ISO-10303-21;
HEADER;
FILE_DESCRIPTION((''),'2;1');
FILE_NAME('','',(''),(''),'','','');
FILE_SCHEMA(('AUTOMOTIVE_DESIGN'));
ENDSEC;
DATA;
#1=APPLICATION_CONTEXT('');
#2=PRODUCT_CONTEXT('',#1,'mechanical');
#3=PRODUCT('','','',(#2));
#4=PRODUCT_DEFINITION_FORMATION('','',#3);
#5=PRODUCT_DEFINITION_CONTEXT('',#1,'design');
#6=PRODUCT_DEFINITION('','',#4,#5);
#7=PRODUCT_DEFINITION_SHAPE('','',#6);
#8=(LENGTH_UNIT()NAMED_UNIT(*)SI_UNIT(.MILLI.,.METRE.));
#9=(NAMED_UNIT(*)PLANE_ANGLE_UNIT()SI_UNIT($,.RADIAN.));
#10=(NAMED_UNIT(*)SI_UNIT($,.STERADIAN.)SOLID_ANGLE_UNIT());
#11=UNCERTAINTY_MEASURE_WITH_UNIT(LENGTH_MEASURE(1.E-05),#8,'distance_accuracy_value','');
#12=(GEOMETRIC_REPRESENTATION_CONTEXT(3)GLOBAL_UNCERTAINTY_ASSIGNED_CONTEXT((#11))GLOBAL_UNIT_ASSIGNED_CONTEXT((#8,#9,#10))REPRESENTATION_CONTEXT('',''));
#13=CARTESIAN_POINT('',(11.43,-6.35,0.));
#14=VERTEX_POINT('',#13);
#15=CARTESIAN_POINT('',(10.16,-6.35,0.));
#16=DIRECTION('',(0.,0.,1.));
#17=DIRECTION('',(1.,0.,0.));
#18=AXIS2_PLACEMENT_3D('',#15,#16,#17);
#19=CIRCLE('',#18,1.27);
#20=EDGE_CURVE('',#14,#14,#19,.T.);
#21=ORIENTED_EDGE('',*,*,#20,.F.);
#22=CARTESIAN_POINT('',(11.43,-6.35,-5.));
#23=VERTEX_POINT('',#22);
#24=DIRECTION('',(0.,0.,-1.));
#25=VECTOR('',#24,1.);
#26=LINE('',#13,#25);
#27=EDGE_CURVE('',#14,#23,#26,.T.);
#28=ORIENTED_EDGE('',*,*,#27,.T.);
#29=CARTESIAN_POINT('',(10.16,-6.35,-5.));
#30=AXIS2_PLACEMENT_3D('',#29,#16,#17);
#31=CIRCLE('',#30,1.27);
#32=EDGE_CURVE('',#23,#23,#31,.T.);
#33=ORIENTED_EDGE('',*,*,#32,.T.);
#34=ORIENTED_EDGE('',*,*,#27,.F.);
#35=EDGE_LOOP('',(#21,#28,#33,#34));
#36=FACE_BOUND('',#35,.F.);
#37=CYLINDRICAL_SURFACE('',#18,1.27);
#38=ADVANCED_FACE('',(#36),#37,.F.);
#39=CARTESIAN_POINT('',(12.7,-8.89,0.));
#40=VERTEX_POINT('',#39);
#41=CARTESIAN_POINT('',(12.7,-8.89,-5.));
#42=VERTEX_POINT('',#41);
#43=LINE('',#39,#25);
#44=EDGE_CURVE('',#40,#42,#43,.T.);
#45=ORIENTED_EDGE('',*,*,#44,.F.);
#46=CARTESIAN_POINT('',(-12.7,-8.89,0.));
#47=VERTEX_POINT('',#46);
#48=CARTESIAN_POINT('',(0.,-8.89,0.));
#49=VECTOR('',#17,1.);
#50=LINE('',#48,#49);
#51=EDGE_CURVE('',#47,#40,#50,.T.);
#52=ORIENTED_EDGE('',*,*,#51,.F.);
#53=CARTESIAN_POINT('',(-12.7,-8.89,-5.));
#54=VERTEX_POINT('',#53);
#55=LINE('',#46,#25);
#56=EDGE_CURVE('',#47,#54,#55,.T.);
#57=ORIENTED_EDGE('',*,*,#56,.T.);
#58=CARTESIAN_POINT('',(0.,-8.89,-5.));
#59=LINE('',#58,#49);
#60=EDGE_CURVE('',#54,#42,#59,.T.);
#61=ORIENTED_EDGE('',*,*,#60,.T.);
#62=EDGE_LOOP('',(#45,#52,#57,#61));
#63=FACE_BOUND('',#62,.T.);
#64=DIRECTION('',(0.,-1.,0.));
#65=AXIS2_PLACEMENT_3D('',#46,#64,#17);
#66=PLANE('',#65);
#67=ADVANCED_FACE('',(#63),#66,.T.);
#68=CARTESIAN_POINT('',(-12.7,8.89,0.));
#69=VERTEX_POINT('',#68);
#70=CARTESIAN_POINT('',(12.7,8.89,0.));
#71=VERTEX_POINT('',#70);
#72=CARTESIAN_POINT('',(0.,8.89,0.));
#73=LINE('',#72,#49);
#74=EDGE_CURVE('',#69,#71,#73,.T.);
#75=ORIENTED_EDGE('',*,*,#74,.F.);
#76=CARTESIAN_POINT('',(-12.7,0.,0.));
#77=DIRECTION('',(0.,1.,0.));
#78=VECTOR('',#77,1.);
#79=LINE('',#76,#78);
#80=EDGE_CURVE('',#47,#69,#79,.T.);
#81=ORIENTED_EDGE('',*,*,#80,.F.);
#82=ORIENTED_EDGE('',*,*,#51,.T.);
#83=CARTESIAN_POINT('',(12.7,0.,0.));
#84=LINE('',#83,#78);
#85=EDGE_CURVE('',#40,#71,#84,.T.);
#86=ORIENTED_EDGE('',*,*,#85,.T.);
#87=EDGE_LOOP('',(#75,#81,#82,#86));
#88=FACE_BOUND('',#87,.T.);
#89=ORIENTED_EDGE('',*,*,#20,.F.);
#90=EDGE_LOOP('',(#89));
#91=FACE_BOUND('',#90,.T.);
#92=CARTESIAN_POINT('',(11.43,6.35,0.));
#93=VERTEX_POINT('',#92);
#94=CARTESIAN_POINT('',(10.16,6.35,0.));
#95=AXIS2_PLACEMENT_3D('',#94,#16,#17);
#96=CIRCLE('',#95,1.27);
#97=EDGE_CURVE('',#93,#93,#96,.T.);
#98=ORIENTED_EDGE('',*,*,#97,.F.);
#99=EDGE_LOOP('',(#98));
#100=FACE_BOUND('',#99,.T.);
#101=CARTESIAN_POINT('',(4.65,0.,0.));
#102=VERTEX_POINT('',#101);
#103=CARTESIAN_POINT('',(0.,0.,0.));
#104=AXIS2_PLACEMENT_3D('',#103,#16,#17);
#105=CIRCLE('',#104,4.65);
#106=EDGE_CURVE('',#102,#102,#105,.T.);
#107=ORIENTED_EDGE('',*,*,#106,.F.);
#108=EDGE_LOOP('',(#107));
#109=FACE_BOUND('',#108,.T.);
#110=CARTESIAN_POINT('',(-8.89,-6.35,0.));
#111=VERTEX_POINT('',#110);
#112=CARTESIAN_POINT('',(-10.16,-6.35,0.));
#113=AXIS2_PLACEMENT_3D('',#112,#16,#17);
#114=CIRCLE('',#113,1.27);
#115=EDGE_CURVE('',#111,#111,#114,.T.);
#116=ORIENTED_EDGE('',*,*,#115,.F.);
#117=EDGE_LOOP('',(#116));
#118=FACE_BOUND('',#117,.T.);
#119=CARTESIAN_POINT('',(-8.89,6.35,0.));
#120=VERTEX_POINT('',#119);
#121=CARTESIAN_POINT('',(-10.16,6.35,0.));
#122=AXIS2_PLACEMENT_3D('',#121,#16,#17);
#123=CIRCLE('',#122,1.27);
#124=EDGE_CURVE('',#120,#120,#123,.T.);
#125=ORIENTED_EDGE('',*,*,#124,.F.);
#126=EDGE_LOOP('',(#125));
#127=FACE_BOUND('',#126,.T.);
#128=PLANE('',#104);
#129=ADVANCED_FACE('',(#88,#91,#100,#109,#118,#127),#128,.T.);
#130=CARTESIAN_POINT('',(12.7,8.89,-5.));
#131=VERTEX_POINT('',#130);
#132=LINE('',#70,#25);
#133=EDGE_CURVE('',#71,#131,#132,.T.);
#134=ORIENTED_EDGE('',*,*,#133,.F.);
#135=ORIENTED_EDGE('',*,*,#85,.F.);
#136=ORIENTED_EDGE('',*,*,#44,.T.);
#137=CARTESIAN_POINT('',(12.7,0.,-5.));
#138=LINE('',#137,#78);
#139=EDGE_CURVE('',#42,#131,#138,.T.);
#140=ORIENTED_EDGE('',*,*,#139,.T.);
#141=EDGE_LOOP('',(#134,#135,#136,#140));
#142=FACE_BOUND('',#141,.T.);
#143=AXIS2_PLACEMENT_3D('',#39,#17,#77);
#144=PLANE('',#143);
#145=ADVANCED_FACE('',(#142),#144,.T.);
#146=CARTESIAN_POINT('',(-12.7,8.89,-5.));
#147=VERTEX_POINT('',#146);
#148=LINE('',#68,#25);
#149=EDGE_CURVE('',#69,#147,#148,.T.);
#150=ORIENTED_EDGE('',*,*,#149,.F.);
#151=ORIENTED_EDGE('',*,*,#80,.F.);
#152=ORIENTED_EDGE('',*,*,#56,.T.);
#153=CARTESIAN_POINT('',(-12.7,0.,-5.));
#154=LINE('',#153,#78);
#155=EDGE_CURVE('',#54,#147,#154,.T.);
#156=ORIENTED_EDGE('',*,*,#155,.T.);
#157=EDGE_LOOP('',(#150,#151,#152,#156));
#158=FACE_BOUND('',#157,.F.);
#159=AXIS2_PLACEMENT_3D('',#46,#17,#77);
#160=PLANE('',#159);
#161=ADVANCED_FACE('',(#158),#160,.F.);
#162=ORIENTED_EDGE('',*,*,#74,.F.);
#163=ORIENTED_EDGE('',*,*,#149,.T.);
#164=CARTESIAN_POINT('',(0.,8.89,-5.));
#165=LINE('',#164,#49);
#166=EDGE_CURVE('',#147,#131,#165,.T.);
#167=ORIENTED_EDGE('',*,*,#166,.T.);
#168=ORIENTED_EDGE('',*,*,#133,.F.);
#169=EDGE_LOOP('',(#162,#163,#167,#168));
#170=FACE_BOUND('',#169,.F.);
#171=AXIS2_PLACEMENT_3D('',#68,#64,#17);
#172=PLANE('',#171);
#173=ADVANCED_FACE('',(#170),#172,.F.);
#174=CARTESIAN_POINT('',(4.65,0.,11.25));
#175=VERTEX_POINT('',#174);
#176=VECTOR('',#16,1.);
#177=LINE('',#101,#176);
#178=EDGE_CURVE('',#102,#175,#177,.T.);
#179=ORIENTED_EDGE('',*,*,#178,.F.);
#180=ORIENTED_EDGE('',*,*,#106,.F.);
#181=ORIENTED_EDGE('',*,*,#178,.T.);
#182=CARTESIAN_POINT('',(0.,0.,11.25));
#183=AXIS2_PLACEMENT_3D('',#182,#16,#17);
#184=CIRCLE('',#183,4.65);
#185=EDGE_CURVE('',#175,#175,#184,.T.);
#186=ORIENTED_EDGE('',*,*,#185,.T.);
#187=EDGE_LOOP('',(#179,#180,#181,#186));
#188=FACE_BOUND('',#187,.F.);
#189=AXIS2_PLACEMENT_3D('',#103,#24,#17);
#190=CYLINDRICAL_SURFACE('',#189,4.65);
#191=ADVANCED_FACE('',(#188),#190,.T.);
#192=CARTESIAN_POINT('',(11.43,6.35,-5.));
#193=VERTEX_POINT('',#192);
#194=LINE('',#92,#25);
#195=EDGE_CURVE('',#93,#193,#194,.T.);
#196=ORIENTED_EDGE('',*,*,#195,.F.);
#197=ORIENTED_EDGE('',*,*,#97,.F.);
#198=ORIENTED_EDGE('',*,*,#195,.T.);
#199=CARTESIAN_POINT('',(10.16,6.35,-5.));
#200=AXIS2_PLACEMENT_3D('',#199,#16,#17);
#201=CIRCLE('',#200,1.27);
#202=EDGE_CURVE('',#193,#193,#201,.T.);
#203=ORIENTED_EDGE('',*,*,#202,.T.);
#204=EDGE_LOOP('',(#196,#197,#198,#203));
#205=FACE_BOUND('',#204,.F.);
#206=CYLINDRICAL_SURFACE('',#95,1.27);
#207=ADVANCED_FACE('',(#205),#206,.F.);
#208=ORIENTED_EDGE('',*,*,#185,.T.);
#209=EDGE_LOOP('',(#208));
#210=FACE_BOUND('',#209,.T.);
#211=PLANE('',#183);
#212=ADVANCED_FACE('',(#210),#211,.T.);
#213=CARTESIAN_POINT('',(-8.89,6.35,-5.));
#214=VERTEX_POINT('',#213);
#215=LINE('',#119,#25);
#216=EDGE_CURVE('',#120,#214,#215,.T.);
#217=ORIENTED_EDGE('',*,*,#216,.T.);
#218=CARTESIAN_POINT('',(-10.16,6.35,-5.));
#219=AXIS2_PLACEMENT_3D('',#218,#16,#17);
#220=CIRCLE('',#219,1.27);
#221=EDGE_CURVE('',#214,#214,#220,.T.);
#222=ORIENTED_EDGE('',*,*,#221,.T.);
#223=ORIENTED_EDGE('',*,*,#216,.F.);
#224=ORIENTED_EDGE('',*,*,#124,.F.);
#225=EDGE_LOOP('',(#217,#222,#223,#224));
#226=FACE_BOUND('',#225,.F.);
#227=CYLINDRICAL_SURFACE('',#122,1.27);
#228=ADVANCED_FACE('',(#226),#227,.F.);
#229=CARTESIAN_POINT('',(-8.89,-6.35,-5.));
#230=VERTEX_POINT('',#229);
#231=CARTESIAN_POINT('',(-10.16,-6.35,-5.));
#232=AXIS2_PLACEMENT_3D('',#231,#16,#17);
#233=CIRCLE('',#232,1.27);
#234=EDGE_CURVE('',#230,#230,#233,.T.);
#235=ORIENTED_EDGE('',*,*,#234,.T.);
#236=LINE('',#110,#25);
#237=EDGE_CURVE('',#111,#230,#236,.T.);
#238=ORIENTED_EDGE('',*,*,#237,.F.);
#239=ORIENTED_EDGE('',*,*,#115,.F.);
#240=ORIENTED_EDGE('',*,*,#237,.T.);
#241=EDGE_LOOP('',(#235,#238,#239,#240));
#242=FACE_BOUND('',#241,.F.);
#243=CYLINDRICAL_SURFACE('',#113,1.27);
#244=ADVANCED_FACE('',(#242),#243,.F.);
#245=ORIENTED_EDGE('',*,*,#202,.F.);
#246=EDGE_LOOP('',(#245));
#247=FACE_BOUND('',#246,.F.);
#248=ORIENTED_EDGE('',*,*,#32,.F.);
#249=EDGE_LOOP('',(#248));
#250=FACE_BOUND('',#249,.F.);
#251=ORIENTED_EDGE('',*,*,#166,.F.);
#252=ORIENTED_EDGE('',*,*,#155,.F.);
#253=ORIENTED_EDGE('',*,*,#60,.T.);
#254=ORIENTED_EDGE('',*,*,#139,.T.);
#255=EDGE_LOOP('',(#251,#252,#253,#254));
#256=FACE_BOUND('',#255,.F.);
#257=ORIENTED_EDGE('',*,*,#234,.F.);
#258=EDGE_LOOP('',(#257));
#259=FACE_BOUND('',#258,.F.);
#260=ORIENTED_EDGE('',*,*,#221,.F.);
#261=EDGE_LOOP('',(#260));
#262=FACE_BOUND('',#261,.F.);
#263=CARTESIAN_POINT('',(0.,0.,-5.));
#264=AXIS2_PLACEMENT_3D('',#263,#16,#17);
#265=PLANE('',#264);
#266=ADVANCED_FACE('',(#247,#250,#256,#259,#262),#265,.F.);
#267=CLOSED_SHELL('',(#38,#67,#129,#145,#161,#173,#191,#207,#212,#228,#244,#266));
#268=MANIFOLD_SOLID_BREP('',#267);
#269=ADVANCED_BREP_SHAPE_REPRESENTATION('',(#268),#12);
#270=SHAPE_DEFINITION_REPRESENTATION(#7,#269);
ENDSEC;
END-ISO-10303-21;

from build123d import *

# Parameters (mm, degrees)
SKETCH_W     = 25.4
SKETCH_H     = 17.78
SKETCH_R     = 1.27
PAD_DEPTH    = 5
SKETCH001_R  = 4.65
PAD001_DEPTH = 11.25


with BuildPart() as part:
    # Sketch → Pad (new body)
    with BuildSketch(Plane.XY):
        Rectangle(SKETCH_W, SKETCH_H)
        with Locations((-10.16, 6.35)):
            Circle(SKETCH_R, mode=Mode.SUBTRACT)
        with Locations((10.16, 6.35)):
            Circle(SKETCH_R, mode=Mode.SUBTRACT)
        with Locations((10.16, -6.35)):
            Circle(SKETCH_R, mode=Mode.SUBTRACT)
        with Locations((-10.16, -6.35)):
            Circle(SKETCH_R, mode=Mode.SUBTRACT)
    extrude(amount=-PAD_DEPTH)

    # Sketch001 → Pad001 (join)
    with BuildSketch(Plane.XY):
        Circle(SKETCH001_R)
    extrude(amount=PAD001_DEPTH)


solid = part.part
